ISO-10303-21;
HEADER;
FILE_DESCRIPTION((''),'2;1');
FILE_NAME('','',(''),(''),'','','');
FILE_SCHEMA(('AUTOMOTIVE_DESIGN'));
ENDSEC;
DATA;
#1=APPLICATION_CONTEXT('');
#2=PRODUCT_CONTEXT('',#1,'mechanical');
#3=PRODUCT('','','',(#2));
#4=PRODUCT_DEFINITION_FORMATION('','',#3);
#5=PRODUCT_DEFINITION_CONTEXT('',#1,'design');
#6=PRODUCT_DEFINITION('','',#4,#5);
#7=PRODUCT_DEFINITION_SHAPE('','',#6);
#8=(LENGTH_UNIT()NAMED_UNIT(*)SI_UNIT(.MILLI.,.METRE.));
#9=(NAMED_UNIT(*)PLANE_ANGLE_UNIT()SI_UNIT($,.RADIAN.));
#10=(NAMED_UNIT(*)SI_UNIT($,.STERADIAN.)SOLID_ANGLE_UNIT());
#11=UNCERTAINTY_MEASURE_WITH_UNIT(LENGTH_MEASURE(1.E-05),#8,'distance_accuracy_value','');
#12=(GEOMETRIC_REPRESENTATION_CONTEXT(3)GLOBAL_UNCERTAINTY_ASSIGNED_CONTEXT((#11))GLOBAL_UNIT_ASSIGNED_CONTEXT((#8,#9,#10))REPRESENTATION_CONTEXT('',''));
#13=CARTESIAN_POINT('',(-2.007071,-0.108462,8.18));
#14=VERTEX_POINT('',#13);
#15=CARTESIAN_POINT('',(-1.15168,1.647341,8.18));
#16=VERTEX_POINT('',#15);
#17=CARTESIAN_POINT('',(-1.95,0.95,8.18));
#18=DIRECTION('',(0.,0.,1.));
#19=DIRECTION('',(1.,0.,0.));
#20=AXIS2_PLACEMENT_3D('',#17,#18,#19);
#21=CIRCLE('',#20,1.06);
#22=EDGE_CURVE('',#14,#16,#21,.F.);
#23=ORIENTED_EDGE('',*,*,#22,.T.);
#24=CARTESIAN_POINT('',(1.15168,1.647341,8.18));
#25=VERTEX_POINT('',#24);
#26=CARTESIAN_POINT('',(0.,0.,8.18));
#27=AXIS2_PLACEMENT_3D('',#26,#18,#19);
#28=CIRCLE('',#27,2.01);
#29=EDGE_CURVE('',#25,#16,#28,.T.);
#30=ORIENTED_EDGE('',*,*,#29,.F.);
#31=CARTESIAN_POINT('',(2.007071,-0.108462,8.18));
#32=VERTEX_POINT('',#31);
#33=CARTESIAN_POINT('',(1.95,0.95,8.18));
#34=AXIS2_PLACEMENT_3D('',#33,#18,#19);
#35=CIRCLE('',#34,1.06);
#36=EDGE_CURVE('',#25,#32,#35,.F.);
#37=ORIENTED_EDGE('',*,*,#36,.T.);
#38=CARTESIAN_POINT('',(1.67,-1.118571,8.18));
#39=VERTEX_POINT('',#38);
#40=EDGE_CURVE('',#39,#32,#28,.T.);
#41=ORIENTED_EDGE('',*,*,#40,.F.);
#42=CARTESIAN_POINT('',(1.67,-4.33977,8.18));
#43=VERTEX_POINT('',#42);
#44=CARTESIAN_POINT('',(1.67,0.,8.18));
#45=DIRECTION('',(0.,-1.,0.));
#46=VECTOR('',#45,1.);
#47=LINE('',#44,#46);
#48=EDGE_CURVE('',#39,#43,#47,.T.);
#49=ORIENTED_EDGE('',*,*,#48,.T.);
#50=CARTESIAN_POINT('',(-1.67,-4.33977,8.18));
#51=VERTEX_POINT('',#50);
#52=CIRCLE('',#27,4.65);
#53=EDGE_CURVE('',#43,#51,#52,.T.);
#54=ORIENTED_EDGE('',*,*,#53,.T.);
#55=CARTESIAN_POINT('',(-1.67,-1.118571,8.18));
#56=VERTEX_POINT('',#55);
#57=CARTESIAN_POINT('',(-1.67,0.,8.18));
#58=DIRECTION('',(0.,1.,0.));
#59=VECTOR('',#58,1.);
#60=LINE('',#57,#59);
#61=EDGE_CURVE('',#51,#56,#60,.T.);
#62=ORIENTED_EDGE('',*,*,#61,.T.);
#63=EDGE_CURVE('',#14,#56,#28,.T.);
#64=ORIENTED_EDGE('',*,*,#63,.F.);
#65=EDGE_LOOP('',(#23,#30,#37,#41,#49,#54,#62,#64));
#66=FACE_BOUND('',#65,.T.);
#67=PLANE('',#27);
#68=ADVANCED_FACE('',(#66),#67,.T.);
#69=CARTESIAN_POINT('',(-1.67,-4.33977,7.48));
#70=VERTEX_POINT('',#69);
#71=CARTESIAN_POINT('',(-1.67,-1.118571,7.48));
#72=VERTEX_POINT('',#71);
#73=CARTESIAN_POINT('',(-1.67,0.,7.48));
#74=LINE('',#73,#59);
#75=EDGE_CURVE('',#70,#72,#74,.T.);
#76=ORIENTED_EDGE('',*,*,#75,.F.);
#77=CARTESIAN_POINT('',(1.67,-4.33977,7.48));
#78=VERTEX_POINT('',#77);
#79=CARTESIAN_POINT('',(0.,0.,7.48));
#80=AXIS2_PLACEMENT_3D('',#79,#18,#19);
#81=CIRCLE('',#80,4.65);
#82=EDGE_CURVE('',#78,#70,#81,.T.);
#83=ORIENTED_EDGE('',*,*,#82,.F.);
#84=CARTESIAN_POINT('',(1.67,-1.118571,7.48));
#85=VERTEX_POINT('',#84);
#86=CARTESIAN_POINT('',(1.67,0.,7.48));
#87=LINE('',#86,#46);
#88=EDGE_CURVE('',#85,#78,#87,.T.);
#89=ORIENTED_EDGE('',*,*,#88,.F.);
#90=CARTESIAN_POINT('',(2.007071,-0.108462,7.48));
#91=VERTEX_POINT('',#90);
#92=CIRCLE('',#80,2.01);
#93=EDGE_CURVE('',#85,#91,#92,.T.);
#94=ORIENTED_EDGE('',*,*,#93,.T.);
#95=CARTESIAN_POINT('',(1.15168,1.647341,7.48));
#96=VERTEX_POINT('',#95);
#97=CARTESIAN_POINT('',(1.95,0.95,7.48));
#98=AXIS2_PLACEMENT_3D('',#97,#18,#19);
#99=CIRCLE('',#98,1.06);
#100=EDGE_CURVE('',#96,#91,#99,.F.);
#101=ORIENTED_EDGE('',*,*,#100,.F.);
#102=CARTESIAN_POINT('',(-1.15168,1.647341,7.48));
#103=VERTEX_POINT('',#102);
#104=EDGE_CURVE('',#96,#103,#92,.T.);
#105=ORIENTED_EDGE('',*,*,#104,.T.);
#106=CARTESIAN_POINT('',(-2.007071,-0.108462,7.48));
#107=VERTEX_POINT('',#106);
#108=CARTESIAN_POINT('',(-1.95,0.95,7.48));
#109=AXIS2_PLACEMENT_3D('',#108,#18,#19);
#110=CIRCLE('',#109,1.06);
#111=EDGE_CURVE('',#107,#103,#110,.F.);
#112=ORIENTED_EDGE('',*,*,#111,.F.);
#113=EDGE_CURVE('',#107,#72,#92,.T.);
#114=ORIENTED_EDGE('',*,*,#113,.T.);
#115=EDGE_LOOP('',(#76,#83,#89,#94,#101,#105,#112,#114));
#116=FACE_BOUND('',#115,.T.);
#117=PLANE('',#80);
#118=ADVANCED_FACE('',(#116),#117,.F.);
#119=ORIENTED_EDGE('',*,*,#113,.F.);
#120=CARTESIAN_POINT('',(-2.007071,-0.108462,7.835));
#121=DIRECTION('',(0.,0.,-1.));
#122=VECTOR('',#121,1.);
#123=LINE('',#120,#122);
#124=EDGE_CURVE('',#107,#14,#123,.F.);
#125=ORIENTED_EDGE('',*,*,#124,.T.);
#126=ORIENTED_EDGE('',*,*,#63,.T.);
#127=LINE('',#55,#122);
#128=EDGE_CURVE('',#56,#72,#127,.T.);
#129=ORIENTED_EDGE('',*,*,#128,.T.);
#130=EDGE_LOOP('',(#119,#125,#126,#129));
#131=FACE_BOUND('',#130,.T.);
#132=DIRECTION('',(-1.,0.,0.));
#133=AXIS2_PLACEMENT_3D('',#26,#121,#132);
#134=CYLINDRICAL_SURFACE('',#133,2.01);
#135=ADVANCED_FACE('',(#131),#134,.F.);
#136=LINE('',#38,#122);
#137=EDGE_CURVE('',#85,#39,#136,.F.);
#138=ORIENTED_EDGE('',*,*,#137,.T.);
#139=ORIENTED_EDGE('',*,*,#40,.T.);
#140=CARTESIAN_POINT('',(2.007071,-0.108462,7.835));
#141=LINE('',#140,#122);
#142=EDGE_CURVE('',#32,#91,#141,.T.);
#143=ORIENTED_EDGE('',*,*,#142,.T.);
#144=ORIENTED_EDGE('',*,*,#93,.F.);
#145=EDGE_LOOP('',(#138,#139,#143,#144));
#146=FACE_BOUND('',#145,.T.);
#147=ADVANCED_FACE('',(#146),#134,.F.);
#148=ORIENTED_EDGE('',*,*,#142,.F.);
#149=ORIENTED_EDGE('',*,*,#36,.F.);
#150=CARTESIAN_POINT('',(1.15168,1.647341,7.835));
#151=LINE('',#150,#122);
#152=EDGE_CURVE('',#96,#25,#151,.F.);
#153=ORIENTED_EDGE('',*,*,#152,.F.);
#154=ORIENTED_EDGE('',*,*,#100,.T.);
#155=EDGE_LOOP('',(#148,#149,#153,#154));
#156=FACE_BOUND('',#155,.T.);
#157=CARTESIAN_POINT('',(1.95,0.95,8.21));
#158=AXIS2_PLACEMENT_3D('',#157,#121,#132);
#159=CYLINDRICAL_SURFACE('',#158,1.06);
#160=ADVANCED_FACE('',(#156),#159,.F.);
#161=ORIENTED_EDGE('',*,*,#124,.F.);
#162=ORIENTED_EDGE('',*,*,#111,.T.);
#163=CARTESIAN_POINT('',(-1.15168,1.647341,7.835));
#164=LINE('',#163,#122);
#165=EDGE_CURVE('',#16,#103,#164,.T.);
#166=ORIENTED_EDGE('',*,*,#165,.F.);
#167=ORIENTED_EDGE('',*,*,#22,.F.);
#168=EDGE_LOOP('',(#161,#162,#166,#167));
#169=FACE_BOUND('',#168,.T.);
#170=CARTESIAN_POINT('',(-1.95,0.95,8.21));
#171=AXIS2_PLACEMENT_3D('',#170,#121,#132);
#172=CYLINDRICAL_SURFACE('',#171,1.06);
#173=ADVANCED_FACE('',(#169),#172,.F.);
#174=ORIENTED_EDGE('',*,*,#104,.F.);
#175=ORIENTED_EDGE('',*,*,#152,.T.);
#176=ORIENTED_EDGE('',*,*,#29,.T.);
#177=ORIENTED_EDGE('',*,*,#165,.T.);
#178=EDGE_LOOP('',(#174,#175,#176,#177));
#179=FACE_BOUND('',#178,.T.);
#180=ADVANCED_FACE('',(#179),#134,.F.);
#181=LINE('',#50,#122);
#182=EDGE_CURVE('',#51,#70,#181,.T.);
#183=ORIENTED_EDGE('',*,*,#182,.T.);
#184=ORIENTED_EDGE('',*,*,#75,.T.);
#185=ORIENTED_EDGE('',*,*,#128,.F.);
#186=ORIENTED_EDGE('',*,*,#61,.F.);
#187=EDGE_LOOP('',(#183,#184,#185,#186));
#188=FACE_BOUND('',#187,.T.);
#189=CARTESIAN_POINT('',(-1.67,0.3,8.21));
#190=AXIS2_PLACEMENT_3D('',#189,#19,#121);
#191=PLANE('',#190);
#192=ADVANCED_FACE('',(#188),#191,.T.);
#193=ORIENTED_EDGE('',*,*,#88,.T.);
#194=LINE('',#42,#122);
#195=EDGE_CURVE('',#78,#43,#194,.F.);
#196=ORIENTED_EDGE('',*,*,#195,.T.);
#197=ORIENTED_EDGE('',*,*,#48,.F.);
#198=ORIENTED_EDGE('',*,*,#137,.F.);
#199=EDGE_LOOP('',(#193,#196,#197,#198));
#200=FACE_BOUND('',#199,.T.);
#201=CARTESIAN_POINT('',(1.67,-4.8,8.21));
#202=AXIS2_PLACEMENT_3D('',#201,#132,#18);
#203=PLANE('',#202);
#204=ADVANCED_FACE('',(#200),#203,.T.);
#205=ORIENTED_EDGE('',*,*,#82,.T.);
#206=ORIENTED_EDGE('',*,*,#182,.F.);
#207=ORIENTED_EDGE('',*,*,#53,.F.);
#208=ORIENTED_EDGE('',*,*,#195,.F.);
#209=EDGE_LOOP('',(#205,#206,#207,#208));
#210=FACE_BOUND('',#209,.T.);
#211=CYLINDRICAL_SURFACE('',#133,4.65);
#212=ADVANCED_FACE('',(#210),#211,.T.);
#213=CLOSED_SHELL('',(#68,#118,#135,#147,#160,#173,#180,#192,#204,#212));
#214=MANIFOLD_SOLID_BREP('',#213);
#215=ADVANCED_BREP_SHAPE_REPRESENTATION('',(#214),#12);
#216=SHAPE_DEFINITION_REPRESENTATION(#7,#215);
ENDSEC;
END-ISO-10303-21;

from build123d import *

# Parameters (mm, degrees)
F_01_START                                = 7.48
S01_INSTALLED_SPRING_CLIP_ENVELOPE_R      = 4.65
S01_INSTALLED_SPRING_CLIP_ENVELOPE_R_2    = 2.01
F_01_INSTALLED_SPRING_CLIP_ENVELOPE_DEPTH = 0.7
F_02_START                                = 7.46
S02_RADIAL_ENTRY_OPENING_W                = 3.34
S02_RADIAL_ENTRY_OPENING_H                = 5.1
F_02_RADIAL_ENTRY_OPENING_DEPTH           = 0.75
F_03_START                                = 7.46
S03_LEFT_SPRING_RELIEF_R                  = 1.06
F_03_LEFT_SPRING_RELIEF_DEPTH             = 0.75
F_04_START                                = 7.46
S04_RIGHT_SPRING_RELIEF_R                 = 1.06
F_04_RIGHT_SPRING_RELIEF_DEPTH            = 0.75


with BuildPart() as part:
    # S01 - Installed spring clip envelope → 01 - Installed spring clip envelope (new body)
    with BuildSketch(Plane.XY.offset(F_01_START)):
        Circle(S01_INSTALLED_SPRING_CLIP_ENVELOPE_R)
        Circle(S01_INSTALLED_SPRING_CLIP_ENVELOPE_R_2, mode=Mode.SUBTRACT)
    extrude(amount=F_01_INSTALLED_SPRING_CLIP_ENVELOPE_DEPTH)

    # S02 - Radial entry opening → 02 - Radial entry opening (cut)
    with BuildSketch(Plane.XY.offset(F_02_START)):
        with Locations((0, -2.25)):
            Rectangle(S02_RADIAL_ENTRY_OPENING_W, S02_RADIAL_ENTRY_OPENING_H)
    extrude(amount=F_02_RADIAL_ENTRY_OPENING_DEPTH, mode=Mode.SUBTRACT)

    # S03 - Left spring relief → 03 - Left spring relief (cut)
    with BuildSketch(Plane.XY.offset(F_03_START)):
        with Locations((-1.95, 0.95)):
            Circle(S03_LEFT_SPRING_RELIEF_R)
    extrude(amount=F_03_LEFT_SPRING_RELIEF_DEPTH, mode=Mode.SUBTRACT)

    # S04 - Right spring relief → 04 - Right spring relief (cut)
    with BuildSketch(Plane.XY.offset(F_04_START)):
        with Locations((1.95, 0.95)):
            Circle(S04_RIGHT_SPRING_RELIEF_R)
    extrude(amount=F_04_RIGHT_SPRING_RELIEF_DEPTH, mode=Mode.SUBTRACT)


solid = part.part
